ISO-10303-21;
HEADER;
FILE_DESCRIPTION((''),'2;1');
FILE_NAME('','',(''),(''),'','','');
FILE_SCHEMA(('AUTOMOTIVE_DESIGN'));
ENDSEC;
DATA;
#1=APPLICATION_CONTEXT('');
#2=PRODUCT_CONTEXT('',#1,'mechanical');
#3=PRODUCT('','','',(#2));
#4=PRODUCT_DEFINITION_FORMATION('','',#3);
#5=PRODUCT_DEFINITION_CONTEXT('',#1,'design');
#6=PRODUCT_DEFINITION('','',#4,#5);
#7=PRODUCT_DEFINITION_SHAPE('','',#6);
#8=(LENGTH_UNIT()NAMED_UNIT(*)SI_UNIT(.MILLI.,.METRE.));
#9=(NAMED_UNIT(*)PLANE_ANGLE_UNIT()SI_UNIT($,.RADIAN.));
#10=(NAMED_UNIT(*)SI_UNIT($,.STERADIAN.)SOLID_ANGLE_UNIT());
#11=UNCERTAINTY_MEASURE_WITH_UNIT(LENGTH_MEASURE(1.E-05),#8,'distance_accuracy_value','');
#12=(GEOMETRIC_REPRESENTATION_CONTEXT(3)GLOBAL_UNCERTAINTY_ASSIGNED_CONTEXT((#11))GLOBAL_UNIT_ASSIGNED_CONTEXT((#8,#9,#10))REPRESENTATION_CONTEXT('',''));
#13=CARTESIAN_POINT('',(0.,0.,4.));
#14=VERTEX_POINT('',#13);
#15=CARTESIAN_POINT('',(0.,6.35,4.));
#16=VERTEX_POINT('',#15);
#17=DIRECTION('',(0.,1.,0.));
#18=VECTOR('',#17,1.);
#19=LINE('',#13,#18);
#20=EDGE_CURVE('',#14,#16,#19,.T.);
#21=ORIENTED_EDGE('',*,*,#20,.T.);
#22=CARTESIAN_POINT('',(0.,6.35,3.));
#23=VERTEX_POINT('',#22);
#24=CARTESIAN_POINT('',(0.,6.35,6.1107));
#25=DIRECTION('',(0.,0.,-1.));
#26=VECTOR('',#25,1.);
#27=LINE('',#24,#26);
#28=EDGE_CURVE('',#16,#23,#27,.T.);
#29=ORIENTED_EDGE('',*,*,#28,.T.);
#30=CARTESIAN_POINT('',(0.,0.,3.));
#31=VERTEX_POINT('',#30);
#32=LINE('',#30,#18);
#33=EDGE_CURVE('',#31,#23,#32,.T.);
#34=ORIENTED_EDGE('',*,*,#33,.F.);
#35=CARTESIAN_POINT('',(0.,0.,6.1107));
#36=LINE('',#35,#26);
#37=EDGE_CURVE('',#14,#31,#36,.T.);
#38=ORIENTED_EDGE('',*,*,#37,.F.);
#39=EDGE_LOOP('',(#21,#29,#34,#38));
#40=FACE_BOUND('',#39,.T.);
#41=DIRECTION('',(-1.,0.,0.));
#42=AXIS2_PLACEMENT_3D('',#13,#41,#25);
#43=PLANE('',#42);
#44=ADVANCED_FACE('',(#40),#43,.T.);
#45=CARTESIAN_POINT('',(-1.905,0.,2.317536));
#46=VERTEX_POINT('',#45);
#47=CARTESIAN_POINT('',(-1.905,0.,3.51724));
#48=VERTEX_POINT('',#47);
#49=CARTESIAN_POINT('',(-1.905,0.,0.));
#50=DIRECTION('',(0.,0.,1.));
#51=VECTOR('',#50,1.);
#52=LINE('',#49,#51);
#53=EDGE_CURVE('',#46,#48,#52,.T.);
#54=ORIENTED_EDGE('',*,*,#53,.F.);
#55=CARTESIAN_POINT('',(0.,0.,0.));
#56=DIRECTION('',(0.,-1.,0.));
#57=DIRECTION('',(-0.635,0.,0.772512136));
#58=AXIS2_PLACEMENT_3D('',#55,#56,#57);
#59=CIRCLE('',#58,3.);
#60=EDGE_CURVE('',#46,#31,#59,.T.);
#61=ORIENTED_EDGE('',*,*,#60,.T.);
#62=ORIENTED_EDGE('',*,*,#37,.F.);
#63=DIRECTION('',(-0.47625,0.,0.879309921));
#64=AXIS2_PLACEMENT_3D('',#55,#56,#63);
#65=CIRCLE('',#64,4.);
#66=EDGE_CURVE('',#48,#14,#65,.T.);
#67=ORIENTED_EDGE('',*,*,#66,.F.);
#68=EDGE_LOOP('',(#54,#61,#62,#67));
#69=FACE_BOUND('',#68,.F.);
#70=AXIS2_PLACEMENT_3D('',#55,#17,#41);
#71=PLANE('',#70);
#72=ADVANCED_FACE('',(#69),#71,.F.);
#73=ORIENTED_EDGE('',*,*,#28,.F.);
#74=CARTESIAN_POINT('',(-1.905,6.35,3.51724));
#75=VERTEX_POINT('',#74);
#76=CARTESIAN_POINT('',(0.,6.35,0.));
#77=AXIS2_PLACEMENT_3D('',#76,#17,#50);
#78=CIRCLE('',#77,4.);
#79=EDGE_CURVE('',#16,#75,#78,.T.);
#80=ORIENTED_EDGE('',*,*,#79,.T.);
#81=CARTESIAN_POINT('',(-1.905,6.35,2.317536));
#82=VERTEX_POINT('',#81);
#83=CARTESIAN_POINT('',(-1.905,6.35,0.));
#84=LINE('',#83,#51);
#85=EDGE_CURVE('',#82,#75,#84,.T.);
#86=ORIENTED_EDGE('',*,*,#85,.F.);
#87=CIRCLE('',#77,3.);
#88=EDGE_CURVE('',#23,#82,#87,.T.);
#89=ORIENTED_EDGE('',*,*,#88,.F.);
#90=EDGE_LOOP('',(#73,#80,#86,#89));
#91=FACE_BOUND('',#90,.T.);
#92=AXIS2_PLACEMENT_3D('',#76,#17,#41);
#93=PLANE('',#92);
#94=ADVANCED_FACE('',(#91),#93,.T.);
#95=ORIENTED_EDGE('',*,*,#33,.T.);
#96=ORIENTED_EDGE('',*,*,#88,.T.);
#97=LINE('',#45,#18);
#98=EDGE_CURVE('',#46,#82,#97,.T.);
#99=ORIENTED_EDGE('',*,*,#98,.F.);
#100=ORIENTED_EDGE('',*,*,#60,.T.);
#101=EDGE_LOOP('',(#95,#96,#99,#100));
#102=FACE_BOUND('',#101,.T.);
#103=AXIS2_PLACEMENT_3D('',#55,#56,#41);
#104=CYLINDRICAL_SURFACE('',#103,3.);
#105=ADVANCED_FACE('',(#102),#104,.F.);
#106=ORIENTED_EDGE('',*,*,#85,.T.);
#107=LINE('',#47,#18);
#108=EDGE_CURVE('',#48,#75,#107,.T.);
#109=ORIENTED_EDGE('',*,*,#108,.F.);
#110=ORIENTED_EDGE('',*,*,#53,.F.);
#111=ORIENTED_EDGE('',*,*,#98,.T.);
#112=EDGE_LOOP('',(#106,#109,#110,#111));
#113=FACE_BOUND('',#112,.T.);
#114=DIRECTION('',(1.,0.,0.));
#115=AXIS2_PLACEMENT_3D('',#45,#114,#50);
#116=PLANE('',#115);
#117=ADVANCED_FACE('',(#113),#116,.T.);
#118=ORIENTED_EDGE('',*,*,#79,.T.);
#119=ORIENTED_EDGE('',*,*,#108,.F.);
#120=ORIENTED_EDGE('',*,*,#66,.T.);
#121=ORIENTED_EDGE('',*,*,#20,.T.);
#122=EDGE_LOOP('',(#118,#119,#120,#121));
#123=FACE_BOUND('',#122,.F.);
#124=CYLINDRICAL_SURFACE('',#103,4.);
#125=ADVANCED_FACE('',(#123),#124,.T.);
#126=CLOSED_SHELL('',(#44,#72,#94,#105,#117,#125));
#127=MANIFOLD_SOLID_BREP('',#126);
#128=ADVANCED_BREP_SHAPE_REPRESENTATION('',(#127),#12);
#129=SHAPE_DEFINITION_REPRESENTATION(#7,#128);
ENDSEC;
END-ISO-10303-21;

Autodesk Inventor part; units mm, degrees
ref_plane "YZ Plane" through (0, 0, 0) normal (1, 0, 0) x (0, 1, 0)
ref_plane "XZ Plane" through (0, 0, 0) normal (0, 1, 0) x (-1, 0, 0)
ref_plane "XY Plane" through (0, 0, 0) normal (0, 0, 1) x (1, 0, 0)
sketch "Sketch1" plane through (0, 0, 0) normal (0, 1, 0) x (-1, 0, 0)
  circle A0 centre (0, 0) radius 3
  circle A1 centre (0, 0) radius 4
  line L0 (-0.9525, -4.3342) -> (0.9525, -4.3342)
  line L1 (0.9525, -4.3342) -> (0.9525, 4.3342)
  line L2 (0.9525, 4.3342) -> (-0.9525, 4.3342)
  line L3 (-0.9525, 4.3342) -> (-0.9525, -4.3342)
  line L4 (-0.9525, -4.3342) -> (0.9525, 4.3342) construction
  line L5 (0.9525, -4.3342) -> (-0.9525, 4.3342) construction
  line L6 (0, 0) -> (1.905, 0)
  line L7 (1.905, 0) -> (1.905, 6.1107)
  line L8 (1.905, 6.1107) -> (0, 6.1107)
  line L9 (0, 6.1107) -> (0, 0)
  point P0 (-0.9525, 2.8448)
  point P1 (-0.9525, 3.8849)
  point P2 (0.9525, 3.8849)
  point P3 (0.9525, 2.8448)
  point P4 (1.905, 3.5172)
  point P5 (1.905, 2.3175)
  point P6 (0, 3)
  point P7 (0, 4)
  dimension "d0" = 6
  dimension "d1" = 8
  dimension "d4" = 1.905
  dimension "d5" = 1.905
extrude "Extrusion1" add sketch "Sketch1" along normal blind 6.35 contours A0 L7 A1 L1 | L1 A1 L3 A0 | L3 A1 A0 | A0 L3 A1 L9 picked at (3.634, -0.2932)
properties part number "BearingTest"
